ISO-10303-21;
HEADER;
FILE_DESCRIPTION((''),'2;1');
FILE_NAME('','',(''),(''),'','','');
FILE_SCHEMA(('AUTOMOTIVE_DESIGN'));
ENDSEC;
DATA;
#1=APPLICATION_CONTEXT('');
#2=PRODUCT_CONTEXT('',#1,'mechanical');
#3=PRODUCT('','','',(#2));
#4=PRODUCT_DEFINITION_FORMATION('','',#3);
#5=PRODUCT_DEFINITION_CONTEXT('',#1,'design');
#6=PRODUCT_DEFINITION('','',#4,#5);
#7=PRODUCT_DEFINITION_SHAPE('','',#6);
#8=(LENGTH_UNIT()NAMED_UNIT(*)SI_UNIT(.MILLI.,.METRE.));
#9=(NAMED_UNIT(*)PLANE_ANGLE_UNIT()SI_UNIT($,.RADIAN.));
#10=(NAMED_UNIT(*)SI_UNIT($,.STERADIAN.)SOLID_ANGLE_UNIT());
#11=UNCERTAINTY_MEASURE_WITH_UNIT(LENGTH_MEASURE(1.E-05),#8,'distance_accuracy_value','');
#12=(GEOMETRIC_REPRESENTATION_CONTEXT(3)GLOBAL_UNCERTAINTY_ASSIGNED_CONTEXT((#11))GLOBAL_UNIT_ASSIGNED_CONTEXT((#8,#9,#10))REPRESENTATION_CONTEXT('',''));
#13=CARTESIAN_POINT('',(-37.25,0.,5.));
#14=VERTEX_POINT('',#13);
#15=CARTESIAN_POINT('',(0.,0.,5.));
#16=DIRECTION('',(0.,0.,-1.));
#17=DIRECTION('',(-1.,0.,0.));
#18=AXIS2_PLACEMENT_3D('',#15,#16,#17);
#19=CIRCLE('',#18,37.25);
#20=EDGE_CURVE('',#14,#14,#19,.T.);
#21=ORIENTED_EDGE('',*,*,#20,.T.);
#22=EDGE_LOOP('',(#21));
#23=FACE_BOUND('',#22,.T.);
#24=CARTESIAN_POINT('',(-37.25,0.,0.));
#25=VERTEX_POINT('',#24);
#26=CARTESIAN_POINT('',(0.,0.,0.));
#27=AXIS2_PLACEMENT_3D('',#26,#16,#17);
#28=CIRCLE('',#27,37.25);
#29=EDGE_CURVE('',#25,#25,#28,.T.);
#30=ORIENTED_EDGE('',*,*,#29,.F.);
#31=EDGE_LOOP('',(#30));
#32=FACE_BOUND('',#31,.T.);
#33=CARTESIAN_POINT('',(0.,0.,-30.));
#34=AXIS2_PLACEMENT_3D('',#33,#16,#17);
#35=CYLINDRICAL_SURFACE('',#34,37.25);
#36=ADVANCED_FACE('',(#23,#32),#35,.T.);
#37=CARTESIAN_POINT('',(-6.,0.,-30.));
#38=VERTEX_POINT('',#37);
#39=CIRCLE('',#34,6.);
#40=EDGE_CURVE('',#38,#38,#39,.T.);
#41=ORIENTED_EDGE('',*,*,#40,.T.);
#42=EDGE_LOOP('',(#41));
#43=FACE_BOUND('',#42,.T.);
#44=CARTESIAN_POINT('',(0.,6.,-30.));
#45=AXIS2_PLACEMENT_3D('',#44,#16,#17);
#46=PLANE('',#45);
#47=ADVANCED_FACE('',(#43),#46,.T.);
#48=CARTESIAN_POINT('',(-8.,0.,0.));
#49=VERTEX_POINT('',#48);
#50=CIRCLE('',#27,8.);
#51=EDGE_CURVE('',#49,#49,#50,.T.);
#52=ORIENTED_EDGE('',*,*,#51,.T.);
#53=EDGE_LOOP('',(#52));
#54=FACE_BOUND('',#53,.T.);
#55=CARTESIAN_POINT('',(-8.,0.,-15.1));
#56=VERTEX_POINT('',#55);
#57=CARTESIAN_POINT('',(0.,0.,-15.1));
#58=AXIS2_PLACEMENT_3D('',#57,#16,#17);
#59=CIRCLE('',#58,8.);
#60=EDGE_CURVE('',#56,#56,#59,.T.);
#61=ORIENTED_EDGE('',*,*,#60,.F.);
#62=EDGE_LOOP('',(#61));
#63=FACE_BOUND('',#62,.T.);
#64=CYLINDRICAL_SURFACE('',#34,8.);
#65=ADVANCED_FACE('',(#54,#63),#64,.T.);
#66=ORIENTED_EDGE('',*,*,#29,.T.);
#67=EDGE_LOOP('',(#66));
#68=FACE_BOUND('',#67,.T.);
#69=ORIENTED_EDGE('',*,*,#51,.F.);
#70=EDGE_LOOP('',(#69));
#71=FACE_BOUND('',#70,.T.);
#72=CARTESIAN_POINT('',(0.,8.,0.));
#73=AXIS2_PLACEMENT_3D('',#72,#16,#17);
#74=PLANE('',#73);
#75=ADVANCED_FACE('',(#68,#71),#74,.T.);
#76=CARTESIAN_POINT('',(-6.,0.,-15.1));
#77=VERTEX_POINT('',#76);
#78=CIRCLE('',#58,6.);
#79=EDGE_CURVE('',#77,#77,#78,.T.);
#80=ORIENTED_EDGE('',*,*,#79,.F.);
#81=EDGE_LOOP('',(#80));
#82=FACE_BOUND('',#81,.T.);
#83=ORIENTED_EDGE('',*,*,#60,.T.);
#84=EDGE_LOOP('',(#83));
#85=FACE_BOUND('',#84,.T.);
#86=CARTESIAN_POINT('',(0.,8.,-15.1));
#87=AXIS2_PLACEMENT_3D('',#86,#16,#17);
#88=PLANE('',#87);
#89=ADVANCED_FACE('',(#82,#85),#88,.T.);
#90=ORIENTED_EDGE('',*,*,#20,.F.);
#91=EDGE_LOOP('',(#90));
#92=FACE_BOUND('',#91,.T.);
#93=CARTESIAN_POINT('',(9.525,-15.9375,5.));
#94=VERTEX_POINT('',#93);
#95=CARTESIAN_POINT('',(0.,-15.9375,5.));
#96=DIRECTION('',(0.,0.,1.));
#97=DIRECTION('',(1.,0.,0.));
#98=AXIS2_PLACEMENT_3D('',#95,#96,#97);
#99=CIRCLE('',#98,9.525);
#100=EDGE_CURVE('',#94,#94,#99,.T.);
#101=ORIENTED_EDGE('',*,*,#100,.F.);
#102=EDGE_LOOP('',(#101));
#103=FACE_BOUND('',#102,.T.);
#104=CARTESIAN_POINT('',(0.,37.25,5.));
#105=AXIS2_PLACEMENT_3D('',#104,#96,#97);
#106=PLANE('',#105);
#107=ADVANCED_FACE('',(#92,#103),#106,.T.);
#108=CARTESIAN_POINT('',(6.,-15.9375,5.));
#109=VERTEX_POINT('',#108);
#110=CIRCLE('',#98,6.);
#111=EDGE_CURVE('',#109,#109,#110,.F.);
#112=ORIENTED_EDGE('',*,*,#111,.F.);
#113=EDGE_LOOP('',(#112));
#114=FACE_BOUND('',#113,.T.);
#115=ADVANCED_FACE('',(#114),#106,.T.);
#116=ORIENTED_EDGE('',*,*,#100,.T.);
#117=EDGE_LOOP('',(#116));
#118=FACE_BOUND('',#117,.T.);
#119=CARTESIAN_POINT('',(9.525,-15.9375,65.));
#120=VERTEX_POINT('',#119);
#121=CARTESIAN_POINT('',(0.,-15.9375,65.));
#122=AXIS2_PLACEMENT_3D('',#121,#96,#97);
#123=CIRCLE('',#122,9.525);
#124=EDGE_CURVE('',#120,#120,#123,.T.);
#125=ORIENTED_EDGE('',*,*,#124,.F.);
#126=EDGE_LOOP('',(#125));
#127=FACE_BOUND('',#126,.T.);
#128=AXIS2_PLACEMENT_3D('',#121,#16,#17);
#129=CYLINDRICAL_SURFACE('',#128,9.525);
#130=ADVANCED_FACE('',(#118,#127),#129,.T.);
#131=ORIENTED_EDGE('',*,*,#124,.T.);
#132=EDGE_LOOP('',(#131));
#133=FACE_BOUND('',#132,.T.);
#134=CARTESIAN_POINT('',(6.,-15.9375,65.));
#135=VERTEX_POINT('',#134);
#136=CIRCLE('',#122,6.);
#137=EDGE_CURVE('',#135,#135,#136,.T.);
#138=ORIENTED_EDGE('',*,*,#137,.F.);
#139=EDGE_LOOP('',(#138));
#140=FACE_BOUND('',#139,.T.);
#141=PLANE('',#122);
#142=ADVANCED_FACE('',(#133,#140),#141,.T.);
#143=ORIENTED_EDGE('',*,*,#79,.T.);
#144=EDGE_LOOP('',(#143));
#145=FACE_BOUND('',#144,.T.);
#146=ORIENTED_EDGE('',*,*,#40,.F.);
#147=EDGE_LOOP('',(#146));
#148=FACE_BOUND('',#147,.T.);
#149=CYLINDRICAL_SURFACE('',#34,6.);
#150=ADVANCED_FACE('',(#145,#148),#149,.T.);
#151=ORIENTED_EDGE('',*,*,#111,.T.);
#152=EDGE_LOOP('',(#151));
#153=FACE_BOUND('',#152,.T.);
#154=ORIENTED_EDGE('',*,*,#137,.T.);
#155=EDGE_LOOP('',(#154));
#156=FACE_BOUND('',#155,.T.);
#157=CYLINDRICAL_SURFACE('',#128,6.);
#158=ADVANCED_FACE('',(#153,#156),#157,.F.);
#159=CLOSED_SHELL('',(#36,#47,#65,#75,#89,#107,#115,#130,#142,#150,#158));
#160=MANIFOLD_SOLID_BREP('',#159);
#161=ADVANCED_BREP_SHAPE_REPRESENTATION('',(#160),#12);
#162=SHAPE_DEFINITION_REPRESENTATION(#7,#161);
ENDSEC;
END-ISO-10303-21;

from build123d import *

# Parameters (mm, degrees)
SKETCH2_R           = 9.525
SKETCH2_R_2         = 6
BOSS_EXTRUDE1_DEPTH = 60


with BuildPart() as part:
    # Sketch1 → Revolve1 (revolve)
    with BuildSketch(Plane(origin=(0, 0, 0), x_dir=(0, 0, -1), z_dir=(1, 0, 0))):
        Polygon((0, 8), (0, 37.25), (-5, 37.25), (-5, 0), (30, 0), (30, 6), (15.1, 6), (15.1, 8), align=None)
    revolve(axis=Axis((0, 0, -30), (0, 0, 1)))

    # Sketch2 → Boss-Extrude1 (add)
    with BuildSketch(Plane.XY.offset(5)):
        with Locations((0, -15.9375)):
            Circle(SKETCH2_R)
        with Locations((0, -15.9375)):
            Circle(SKETCH2_R_2, mode=Mode.SUBTRACT)
    extrude(amount=BOSS_EXTRUDE1_DEPTH)


solid = part.part
